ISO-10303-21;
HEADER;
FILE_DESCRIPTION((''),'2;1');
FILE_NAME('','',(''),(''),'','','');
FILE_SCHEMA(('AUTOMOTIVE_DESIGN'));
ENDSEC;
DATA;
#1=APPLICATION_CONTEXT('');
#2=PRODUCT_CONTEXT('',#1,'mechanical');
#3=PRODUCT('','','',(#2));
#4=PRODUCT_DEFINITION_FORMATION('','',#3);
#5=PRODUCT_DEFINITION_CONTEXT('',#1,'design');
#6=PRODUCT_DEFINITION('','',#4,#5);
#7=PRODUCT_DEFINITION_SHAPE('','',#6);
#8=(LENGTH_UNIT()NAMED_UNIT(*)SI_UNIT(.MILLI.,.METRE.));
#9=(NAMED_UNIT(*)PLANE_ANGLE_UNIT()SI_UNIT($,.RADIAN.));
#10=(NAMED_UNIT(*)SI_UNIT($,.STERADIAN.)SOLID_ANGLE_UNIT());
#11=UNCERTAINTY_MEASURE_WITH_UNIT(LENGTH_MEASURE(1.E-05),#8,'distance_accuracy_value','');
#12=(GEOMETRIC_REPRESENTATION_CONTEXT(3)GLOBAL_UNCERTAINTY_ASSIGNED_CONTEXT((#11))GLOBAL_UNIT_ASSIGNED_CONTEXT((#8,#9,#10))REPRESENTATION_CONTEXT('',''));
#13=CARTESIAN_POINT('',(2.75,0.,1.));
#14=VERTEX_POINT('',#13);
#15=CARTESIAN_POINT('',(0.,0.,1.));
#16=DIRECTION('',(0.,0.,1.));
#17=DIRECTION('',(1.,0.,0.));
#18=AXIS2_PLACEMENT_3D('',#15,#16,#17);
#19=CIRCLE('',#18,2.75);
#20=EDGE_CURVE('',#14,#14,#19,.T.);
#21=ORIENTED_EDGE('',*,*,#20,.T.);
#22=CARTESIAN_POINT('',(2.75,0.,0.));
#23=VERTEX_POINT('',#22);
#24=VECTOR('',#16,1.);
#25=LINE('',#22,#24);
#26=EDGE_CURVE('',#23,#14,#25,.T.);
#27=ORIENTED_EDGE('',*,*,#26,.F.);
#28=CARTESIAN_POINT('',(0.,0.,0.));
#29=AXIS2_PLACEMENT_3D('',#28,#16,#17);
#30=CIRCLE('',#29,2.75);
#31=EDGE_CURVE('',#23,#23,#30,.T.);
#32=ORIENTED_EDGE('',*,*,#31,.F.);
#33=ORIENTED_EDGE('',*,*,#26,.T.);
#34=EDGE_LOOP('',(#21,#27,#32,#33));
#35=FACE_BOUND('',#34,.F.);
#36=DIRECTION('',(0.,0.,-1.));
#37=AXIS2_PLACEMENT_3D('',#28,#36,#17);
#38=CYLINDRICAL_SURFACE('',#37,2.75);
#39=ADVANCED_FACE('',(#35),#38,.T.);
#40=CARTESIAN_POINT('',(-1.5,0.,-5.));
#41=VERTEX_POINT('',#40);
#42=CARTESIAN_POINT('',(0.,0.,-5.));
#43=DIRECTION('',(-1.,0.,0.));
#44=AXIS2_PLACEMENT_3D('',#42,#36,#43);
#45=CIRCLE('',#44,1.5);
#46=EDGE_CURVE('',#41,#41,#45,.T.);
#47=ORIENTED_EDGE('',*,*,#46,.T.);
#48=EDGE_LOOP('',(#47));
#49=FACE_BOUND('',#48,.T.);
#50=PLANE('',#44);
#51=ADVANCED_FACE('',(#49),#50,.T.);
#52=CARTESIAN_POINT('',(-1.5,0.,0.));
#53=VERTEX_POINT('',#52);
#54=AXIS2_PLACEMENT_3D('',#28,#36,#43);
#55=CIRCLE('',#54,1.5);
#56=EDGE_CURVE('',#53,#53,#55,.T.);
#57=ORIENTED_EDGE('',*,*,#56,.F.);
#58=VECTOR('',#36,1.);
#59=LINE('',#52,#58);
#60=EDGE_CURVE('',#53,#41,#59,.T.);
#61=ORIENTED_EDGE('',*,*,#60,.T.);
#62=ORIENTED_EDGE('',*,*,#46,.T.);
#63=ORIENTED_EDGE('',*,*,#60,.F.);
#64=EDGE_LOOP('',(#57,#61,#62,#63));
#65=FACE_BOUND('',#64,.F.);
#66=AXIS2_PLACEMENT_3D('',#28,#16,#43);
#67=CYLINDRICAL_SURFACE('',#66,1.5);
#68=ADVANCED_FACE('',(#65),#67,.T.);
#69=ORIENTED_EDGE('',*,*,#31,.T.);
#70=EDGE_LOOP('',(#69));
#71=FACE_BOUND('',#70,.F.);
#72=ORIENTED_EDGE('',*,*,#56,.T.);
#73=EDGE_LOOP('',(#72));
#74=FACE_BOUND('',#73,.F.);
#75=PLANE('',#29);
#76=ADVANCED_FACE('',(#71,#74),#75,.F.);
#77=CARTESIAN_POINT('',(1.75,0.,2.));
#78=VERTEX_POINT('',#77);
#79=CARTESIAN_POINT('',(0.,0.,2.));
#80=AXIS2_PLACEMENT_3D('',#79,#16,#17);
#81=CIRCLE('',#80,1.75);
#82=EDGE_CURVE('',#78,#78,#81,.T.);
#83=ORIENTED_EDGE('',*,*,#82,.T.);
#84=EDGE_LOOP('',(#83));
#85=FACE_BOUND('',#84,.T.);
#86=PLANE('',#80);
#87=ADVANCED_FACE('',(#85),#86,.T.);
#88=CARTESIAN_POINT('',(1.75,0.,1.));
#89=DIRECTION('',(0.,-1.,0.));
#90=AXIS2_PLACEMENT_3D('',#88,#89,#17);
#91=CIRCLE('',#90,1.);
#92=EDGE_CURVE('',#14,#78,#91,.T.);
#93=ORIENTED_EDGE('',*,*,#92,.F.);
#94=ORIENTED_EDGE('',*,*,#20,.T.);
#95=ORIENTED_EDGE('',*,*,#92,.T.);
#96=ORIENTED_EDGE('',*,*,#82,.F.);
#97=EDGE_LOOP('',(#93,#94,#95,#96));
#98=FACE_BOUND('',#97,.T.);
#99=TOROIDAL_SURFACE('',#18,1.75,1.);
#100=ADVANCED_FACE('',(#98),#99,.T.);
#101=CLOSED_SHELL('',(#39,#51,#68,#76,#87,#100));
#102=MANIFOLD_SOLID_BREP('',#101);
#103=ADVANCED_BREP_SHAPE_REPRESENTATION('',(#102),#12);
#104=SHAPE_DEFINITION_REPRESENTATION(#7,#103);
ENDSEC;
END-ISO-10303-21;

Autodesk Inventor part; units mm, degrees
ref_plane "YZ Plane" through (0, 0, 0) normal (1, 0, 0) x (0, 1, 0)
ref_plane "XZ Plane" through (0, 0, 0) normal (0, 1, 0) x (-1, 0, 0)
ref_plane "XY Plane" through (0, 0, 0) normal (0, 0, 1) x (1, 0, 0)
sketch "スケッチ1" plane through (0, 0, 0) normal (0, 0, 1) x (1, 0, 0)
  circle A0 centre (0, 0) radius 2.75
  dimension "d0" = 5.5
extrude "押し出し1" add sketch "スケッチ1" along normal blind 2
fillet "フィレット1" radius 1 1 edges at (-2.75, 0, 2)
sketch "スケッチ2" plane through (0, 0, 0) normal (0, 0, -1) x (-1, 0, 0)
  circle A0 centre (0, 0) radius 1.5
  dimension "d4" = 3
extrude "押し出し2" add sketch "スケッチ2" along normal blind 5
thread "ねじ1" size "M3x0.5" class "6g" standard "ANSI Metric M Profile" full length
properties part number "Screw_5mm" material "真鍮"
